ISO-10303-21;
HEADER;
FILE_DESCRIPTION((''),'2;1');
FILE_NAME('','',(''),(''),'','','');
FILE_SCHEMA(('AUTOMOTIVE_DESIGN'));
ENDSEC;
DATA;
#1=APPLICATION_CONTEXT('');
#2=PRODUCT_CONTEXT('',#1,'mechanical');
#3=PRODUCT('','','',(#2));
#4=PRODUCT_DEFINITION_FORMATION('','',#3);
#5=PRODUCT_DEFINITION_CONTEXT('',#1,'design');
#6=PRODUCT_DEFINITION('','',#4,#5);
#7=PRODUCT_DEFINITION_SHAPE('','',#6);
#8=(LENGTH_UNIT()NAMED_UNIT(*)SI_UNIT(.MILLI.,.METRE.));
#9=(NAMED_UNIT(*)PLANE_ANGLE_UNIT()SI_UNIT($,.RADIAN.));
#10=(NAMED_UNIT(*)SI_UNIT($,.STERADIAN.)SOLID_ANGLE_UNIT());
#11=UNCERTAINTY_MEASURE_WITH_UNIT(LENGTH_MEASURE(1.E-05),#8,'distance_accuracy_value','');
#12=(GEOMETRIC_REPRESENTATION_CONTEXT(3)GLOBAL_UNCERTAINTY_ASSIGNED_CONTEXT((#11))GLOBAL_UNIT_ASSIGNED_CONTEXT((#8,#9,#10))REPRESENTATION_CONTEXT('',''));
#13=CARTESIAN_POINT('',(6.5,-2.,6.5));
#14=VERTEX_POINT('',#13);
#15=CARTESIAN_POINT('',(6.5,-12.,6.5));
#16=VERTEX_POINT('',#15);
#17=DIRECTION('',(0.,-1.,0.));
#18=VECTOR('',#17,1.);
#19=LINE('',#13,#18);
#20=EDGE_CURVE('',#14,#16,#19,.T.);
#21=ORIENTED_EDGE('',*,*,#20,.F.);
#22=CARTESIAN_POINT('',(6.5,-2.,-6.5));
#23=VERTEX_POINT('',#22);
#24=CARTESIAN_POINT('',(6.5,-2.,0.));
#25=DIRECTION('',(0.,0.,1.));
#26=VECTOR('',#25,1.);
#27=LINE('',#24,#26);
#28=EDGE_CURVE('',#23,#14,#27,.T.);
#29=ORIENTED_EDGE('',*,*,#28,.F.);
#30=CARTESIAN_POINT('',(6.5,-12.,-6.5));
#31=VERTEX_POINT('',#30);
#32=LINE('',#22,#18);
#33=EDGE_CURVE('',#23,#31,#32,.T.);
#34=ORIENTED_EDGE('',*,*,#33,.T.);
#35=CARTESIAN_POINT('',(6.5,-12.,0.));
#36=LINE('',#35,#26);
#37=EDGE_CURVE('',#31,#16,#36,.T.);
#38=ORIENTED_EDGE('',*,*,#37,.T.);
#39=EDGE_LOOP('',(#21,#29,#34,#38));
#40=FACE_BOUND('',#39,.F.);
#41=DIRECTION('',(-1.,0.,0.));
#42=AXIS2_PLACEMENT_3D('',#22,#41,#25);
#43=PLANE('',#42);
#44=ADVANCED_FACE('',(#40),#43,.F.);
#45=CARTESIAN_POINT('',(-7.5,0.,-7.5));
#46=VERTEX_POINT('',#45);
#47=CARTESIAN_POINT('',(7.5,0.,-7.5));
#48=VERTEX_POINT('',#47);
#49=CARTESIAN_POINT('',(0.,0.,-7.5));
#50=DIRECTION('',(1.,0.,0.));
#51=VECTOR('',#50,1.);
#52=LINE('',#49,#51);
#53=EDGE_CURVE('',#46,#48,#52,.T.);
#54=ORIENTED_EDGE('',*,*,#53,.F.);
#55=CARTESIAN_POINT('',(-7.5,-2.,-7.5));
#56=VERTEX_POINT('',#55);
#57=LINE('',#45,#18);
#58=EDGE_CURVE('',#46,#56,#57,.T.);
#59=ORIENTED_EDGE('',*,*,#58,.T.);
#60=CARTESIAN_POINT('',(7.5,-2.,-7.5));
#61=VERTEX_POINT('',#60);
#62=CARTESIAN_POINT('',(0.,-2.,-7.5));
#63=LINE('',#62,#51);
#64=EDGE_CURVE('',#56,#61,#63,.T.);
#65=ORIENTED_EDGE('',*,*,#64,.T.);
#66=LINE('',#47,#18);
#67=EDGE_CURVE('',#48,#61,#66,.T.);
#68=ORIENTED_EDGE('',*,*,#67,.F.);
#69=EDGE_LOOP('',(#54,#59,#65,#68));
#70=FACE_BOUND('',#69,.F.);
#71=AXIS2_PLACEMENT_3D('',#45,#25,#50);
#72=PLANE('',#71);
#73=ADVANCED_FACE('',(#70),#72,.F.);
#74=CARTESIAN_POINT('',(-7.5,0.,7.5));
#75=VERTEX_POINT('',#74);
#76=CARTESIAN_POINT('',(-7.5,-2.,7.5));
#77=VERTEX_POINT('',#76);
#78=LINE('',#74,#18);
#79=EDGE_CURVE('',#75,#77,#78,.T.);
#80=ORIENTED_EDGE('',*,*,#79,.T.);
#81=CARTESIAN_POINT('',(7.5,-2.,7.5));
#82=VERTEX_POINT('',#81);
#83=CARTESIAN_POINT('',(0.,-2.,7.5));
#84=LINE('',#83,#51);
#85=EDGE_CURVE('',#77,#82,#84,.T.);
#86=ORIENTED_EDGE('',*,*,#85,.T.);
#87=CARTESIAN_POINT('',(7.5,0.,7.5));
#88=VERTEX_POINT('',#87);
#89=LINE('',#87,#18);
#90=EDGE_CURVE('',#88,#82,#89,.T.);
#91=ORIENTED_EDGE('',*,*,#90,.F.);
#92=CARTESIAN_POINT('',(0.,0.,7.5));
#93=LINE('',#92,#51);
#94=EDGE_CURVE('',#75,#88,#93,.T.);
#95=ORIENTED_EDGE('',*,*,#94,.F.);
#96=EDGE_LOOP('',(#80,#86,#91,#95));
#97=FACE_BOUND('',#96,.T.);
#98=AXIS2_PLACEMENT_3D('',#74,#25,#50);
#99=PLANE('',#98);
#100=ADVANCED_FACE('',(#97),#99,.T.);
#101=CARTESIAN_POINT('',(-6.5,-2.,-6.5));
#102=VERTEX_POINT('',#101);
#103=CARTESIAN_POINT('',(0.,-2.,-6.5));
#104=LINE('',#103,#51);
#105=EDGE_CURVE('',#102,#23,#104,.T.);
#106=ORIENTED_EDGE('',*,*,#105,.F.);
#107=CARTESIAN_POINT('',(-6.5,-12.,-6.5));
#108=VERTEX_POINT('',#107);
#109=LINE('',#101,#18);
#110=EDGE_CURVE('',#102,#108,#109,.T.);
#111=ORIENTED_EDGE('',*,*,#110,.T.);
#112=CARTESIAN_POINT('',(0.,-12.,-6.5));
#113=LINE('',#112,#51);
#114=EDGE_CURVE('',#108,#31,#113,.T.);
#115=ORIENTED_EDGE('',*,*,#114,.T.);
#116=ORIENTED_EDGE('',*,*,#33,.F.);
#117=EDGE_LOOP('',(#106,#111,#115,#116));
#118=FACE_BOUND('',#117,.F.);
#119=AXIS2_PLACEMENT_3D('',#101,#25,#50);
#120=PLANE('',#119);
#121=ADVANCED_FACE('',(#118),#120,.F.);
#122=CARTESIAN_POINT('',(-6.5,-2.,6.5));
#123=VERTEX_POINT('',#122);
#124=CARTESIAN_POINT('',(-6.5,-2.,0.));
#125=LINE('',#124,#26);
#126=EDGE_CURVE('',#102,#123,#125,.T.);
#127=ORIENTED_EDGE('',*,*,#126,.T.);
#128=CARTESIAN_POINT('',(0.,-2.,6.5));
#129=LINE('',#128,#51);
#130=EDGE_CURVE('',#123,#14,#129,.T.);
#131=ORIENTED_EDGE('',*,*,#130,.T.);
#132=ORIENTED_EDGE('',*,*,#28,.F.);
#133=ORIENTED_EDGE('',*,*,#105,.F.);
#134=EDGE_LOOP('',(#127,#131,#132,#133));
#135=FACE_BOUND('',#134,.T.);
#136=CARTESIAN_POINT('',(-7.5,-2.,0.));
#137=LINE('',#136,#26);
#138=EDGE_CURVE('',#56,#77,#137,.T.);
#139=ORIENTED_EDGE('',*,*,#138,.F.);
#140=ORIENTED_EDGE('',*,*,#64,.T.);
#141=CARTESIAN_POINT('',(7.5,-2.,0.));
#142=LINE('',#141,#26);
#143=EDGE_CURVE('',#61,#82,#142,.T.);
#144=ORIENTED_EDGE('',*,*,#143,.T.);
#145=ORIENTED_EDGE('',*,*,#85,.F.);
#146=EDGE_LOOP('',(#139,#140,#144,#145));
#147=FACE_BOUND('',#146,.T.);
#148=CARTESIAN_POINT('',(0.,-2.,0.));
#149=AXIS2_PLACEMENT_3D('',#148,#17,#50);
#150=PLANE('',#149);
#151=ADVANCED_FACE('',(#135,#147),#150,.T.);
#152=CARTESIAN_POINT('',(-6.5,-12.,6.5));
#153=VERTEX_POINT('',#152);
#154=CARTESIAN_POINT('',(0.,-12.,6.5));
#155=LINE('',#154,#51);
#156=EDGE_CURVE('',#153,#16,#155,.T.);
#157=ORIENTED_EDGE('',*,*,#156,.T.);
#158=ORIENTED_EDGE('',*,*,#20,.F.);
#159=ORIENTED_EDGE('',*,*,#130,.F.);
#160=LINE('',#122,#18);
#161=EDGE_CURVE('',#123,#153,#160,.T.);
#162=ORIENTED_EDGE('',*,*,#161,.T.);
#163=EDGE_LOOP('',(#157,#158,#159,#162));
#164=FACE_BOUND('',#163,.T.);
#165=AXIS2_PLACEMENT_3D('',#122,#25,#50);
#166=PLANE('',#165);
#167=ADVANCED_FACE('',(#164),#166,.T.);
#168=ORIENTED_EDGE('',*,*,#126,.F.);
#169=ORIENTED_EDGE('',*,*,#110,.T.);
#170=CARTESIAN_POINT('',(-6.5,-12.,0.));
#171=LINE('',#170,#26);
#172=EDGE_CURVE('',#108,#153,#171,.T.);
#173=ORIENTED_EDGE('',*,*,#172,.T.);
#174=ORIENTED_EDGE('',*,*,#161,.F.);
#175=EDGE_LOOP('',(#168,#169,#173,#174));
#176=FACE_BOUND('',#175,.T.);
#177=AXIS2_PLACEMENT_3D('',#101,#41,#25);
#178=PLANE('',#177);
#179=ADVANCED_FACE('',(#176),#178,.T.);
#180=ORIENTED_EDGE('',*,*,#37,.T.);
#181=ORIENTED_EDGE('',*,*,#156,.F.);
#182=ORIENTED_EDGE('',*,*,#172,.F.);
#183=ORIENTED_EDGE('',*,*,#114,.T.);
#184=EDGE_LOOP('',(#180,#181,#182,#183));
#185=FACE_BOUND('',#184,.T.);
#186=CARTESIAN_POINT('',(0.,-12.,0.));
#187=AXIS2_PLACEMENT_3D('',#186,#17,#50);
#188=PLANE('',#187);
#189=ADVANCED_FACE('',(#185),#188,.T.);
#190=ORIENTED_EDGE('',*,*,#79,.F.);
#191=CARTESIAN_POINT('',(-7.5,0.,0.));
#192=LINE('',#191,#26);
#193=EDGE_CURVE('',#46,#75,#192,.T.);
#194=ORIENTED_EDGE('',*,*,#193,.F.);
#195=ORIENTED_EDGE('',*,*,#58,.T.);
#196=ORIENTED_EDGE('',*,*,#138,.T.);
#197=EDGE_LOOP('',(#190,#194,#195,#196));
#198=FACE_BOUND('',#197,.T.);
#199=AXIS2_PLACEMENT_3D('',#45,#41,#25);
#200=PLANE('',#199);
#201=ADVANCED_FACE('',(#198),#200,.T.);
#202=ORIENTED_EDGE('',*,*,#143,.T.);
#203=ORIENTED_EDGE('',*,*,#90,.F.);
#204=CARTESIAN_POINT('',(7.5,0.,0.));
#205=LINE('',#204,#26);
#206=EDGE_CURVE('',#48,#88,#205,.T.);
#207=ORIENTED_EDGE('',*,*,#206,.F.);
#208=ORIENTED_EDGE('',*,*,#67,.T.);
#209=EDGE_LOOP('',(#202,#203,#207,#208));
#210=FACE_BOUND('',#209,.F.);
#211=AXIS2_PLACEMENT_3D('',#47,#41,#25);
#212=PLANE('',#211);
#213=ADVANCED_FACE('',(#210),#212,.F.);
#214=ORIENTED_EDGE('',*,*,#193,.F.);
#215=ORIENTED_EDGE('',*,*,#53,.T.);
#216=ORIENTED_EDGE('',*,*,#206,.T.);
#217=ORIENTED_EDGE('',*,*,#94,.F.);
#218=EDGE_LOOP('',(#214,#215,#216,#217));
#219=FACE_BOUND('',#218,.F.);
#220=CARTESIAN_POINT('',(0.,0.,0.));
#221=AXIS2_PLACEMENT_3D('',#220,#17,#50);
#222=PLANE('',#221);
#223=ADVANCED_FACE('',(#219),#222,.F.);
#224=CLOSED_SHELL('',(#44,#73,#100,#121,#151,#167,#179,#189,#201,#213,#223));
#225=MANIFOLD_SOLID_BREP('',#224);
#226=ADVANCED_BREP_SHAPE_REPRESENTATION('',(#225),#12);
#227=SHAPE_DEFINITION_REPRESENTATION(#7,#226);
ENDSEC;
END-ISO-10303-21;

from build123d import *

# Parameters (mm, degrees)
F0_W     = 15
F0_H     = 15
F1_DEPTH = 2
F2_W     = 13
F2_H     = 13
F3_DEPTH = 10


with BuildPart() as f1:
    # F0 (on Front) → F1 (new body)
    with BuildSketch(Plane.XZ):
        Rectangle(F0_W, F0_H)
    extrude(amount=F1_DEPTH)

    # F2 (on face) → F3 (join)
    with BuildSketch(Plane.XZ.offset(2)):
        Rectangle(F2_W, F2_H)
    extrude(amount=F3_DEPTH)


solid = f1.part
